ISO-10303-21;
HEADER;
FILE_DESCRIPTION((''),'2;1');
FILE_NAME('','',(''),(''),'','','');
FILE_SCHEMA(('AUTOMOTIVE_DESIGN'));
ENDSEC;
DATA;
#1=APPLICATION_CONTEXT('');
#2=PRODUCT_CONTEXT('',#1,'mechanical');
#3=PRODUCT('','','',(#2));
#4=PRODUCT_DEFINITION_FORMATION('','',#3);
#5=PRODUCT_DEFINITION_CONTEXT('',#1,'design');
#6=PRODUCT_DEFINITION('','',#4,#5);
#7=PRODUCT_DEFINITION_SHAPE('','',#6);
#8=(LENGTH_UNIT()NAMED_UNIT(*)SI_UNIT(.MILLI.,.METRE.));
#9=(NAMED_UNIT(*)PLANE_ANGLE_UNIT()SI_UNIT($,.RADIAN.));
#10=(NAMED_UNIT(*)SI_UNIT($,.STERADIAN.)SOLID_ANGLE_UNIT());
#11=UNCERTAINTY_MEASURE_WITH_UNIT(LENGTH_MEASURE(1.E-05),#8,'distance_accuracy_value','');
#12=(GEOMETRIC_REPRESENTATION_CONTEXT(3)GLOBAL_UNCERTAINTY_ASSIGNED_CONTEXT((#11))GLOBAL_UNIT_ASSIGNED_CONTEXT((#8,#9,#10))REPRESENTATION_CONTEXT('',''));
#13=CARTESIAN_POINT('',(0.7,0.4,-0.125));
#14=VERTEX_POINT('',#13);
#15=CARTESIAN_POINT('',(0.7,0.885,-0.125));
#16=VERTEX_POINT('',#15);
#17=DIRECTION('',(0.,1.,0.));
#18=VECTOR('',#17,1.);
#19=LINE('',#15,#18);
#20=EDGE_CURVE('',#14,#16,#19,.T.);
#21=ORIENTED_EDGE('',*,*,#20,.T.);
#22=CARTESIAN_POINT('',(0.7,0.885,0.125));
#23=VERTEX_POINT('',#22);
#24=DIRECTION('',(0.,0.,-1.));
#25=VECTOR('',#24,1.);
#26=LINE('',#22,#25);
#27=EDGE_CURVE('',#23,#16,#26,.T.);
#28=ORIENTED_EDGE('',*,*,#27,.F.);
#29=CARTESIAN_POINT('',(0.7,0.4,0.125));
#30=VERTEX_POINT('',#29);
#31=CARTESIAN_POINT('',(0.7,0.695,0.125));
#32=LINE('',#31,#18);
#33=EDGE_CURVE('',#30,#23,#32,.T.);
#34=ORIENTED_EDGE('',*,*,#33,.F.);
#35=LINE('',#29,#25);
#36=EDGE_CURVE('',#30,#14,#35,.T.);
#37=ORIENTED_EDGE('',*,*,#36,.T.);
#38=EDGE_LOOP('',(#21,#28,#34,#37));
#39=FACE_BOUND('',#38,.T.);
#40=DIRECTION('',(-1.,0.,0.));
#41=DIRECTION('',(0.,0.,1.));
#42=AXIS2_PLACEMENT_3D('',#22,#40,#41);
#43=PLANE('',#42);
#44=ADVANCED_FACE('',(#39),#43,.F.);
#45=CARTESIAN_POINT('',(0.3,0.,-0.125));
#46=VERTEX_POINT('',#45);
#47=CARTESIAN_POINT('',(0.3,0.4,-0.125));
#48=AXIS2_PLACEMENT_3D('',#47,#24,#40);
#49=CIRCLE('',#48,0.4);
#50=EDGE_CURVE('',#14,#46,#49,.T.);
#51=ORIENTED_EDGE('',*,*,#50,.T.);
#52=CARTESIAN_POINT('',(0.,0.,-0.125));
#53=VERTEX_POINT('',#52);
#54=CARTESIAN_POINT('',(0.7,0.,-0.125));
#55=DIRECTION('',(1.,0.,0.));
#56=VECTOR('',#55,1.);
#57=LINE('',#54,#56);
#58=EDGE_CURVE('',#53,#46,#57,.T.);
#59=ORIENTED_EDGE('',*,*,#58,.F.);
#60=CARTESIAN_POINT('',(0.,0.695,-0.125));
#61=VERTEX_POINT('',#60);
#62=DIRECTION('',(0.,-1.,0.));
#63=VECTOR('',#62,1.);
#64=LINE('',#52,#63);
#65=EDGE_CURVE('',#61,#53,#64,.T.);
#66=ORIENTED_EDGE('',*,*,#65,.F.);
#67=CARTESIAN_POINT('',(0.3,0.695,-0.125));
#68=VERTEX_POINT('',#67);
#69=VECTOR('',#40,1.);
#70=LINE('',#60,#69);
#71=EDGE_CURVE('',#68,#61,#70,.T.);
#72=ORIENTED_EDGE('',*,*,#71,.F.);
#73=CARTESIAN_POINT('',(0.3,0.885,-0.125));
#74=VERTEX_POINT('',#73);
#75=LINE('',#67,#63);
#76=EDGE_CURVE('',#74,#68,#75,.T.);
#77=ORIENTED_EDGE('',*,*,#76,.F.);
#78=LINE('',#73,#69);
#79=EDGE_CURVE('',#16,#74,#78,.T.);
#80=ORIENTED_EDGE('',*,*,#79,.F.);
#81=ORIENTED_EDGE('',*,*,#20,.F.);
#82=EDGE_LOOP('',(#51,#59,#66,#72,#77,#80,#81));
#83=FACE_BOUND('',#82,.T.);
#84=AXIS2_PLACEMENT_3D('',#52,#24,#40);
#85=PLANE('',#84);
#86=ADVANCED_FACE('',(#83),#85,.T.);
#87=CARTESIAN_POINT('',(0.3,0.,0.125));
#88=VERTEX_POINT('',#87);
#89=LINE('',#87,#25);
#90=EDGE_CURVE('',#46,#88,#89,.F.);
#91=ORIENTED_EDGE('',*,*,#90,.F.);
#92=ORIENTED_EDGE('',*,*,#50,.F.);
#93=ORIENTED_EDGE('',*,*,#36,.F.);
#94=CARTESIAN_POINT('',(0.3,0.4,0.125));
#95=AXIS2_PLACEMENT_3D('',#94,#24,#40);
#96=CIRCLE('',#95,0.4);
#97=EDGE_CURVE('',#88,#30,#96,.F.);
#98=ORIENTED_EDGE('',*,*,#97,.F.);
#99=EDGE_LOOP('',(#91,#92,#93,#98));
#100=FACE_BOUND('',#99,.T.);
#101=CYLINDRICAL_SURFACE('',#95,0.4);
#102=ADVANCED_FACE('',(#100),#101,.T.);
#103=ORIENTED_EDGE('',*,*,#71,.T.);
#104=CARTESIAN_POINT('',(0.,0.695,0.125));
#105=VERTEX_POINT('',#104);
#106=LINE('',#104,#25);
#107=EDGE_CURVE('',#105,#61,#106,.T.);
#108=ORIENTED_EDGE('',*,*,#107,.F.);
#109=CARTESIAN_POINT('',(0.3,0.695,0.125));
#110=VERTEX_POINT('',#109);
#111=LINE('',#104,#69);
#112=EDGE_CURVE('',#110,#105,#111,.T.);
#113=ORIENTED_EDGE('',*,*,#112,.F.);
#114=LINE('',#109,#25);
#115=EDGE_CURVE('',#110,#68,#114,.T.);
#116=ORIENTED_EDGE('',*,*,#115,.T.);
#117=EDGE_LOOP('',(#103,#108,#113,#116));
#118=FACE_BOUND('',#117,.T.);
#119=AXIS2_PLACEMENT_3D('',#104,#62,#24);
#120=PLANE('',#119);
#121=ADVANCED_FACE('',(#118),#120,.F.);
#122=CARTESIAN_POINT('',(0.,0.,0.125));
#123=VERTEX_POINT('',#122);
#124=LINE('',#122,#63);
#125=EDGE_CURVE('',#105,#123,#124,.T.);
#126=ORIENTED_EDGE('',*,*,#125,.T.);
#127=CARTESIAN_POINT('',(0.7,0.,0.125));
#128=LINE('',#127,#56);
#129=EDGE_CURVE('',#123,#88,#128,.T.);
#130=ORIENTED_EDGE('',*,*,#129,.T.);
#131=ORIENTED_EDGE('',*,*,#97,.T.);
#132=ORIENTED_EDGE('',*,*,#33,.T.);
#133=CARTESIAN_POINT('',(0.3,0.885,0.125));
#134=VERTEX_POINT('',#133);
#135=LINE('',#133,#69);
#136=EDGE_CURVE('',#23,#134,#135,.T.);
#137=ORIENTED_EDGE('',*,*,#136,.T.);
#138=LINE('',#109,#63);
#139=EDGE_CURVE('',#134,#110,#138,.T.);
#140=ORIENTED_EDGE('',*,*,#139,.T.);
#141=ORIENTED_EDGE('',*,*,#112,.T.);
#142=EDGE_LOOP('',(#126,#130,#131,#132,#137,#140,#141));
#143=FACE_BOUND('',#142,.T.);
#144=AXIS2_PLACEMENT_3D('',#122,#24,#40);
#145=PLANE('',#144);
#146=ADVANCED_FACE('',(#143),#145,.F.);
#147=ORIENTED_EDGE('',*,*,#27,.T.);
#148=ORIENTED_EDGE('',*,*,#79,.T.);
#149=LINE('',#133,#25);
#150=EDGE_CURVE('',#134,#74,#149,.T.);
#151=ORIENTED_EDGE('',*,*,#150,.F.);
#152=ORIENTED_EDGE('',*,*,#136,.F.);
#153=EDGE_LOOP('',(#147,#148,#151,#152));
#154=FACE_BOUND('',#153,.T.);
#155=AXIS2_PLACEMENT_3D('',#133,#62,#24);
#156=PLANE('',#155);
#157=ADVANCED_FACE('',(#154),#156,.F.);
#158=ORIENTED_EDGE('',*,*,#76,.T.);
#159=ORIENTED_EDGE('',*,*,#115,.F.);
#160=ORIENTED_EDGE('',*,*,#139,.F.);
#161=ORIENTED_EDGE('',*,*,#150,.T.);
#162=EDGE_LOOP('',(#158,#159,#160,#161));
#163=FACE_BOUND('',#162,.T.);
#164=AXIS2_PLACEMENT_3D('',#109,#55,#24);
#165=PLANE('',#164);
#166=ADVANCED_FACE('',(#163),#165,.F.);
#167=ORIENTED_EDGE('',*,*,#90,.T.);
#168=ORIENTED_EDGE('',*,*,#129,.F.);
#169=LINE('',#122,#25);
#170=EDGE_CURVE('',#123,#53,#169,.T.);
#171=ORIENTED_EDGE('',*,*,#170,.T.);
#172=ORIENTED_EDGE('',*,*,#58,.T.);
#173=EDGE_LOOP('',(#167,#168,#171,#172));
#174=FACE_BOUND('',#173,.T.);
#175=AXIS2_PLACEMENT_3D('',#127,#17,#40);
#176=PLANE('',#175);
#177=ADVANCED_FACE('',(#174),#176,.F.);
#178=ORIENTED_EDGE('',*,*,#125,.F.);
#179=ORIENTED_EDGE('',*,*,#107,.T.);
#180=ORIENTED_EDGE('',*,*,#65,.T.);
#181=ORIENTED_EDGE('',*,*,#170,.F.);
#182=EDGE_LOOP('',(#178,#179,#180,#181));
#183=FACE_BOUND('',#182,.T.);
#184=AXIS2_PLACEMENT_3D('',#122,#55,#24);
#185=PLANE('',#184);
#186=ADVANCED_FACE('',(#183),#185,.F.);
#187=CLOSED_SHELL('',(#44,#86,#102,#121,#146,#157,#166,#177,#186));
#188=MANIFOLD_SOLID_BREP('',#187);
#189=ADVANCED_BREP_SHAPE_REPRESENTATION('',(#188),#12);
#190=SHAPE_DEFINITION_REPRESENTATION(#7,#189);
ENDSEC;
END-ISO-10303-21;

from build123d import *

# Parameters (mm, degrees)
BOSS_EXTRUDE1_DEPTH = 0.125
FILLET1_R           = 0.4


with BuildPart() as part:
    # frame_outline → Boss-Extrude1 (new, symmetric)
    with BuildSketch(Plane.XY):
        Polygon((0, 0), (0, 0.695), (0.3, 0.695), (0.3, 0.885), (0.7, 0.885), (0.7, 0.695), (0.7, 0), align=None)
    extrude(amount=BOSS_EXTRUDE1_DEPTH, both=True)

    # Fillet1
    fillet1_edges = [part.edges().sort_by_distance(p)[0] for p in [
        (0.7, 0, 0),
    ]]
    fillet(fillet1_edges, radius=FILLET1_R)


solid = part.part
